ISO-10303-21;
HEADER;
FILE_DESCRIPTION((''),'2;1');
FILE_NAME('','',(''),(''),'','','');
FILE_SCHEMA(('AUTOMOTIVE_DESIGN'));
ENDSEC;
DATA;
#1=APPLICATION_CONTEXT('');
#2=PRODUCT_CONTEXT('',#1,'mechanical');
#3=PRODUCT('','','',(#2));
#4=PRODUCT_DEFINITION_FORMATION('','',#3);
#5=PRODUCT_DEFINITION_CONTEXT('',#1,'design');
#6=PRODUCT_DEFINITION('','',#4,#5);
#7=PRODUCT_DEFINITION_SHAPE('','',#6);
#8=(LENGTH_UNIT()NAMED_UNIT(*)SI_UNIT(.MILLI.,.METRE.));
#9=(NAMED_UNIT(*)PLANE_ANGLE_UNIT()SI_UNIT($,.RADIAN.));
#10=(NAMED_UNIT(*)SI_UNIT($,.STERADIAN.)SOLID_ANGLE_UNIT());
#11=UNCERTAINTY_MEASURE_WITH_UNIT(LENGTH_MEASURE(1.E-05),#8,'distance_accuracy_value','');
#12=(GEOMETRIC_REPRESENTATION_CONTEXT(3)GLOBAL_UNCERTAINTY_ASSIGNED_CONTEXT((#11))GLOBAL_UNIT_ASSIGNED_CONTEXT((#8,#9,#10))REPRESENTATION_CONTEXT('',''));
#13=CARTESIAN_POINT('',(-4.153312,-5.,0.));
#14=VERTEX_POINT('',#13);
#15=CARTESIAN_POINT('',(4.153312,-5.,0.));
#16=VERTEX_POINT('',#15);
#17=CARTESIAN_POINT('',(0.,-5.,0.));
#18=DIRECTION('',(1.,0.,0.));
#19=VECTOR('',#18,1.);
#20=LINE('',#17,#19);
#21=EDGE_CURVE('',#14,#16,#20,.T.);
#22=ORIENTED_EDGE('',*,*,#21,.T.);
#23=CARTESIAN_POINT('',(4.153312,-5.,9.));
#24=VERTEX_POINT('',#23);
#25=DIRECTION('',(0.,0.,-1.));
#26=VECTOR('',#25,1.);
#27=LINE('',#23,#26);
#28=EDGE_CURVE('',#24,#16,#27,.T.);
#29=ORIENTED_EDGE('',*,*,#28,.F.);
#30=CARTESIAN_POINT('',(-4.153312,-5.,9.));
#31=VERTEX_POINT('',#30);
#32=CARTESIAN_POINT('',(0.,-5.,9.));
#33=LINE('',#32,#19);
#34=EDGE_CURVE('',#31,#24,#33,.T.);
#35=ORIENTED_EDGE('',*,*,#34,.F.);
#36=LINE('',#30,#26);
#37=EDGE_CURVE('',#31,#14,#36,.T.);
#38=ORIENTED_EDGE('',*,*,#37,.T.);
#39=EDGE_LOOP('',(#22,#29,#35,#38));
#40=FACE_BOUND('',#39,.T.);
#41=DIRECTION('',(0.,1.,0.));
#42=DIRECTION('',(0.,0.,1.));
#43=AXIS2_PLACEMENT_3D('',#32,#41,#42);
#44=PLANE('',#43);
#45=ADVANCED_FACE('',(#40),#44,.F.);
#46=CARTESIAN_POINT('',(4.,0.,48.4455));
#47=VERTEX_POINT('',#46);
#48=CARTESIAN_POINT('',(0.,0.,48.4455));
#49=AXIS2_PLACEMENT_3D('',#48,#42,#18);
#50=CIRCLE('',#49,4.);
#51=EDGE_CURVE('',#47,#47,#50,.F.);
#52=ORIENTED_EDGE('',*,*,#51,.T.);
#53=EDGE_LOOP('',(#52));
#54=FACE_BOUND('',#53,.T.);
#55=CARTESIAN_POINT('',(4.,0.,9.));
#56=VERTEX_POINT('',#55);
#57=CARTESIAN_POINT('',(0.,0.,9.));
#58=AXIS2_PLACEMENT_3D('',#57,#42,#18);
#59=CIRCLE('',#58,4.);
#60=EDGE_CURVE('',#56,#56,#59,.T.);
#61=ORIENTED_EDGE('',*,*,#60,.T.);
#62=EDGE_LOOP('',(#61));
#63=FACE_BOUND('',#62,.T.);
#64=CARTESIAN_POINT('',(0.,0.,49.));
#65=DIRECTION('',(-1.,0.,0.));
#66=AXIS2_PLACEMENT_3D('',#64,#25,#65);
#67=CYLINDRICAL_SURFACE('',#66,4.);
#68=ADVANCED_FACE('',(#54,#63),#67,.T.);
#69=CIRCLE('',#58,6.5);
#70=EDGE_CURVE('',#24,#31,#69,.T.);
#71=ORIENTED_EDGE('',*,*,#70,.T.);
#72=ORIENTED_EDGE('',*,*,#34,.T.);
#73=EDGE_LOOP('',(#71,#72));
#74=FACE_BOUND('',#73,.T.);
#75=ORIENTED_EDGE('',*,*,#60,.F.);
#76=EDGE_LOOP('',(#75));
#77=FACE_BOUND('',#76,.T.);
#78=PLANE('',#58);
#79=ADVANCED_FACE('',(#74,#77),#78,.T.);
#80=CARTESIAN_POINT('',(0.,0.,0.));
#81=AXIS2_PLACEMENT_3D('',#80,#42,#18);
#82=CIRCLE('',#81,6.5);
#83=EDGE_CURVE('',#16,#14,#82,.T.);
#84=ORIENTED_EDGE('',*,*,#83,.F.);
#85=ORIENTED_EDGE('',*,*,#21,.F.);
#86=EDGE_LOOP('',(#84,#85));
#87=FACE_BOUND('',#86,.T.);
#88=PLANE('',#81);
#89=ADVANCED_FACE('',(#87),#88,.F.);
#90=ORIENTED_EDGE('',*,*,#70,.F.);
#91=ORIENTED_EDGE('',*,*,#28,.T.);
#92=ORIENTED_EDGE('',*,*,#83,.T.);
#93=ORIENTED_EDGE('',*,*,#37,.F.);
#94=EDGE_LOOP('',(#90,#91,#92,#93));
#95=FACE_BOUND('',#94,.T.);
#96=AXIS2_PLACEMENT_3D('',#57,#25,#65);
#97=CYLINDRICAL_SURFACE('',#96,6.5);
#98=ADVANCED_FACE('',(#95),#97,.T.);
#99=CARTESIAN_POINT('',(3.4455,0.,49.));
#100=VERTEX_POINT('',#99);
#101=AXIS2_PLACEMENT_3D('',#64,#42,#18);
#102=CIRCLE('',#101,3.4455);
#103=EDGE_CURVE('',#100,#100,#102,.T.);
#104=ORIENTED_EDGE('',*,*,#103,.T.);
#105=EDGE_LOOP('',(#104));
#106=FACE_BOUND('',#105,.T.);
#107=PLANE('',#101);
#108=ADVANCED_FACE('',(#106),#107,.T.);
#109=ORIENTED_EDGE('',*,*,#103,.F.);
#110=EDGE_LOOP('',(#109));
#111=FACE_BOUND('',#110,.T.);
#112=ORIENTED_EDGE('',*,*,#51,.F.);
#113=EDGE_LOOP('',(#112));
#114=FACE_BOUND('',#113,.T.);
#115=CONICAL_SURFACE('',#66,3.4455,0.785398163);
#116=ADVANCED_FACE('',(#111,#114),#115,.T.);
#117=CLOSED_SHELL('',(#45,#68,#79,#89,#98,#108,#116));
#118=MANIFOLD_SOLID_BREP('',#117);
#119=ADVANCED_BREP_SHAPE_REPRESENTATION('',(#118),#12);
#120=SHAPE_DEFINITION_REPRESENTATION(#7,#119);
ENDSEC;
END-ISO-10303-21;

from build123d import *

# Parameters (mm, degrees)
EXTRUDE_1_DEPTH = 9
SKETCH_2_R      = 4
EXTRUDE_2_DEPTH = 40
CHAMFER_1_SIZE  = 0.5545


with BuildPart() as part:
    # Эскиз1 → Бобышка-Вытянуть1 (new body)
    with BuildSketch(Plane.XY):
        with BuildLine():
            ThreePointArc((6.5, 0), (-2.761654617, 5.884153616), (-4.153311931, -5))
            Line((-4.153311931, -5), (4.153311931, -5))
            ThreePointArc((4.153311931, -5), (5.884153616, -2.761654617), (6.5, 0))
        make_face()
    extrude(amount=EXTRUDE_1_DEPTH)

    # Эскиз2 → Бобышка-Вытянуть2 (add)
    with BuildSketch(Plane.XY.offset(9)):
        Circle(SKETCH_2_R)
    extrude(amount=EXTRUDE_2_DEPTH)

    # Фаска1
    chamfer_1_edges = [part.edges().sort_by_distance(p)[0] for p in [
        (-4, 0, 49),
    ]]
    chamfer(chamfer_1_edges, length=CHAMFER_1_SIZE)


solid = part.part
